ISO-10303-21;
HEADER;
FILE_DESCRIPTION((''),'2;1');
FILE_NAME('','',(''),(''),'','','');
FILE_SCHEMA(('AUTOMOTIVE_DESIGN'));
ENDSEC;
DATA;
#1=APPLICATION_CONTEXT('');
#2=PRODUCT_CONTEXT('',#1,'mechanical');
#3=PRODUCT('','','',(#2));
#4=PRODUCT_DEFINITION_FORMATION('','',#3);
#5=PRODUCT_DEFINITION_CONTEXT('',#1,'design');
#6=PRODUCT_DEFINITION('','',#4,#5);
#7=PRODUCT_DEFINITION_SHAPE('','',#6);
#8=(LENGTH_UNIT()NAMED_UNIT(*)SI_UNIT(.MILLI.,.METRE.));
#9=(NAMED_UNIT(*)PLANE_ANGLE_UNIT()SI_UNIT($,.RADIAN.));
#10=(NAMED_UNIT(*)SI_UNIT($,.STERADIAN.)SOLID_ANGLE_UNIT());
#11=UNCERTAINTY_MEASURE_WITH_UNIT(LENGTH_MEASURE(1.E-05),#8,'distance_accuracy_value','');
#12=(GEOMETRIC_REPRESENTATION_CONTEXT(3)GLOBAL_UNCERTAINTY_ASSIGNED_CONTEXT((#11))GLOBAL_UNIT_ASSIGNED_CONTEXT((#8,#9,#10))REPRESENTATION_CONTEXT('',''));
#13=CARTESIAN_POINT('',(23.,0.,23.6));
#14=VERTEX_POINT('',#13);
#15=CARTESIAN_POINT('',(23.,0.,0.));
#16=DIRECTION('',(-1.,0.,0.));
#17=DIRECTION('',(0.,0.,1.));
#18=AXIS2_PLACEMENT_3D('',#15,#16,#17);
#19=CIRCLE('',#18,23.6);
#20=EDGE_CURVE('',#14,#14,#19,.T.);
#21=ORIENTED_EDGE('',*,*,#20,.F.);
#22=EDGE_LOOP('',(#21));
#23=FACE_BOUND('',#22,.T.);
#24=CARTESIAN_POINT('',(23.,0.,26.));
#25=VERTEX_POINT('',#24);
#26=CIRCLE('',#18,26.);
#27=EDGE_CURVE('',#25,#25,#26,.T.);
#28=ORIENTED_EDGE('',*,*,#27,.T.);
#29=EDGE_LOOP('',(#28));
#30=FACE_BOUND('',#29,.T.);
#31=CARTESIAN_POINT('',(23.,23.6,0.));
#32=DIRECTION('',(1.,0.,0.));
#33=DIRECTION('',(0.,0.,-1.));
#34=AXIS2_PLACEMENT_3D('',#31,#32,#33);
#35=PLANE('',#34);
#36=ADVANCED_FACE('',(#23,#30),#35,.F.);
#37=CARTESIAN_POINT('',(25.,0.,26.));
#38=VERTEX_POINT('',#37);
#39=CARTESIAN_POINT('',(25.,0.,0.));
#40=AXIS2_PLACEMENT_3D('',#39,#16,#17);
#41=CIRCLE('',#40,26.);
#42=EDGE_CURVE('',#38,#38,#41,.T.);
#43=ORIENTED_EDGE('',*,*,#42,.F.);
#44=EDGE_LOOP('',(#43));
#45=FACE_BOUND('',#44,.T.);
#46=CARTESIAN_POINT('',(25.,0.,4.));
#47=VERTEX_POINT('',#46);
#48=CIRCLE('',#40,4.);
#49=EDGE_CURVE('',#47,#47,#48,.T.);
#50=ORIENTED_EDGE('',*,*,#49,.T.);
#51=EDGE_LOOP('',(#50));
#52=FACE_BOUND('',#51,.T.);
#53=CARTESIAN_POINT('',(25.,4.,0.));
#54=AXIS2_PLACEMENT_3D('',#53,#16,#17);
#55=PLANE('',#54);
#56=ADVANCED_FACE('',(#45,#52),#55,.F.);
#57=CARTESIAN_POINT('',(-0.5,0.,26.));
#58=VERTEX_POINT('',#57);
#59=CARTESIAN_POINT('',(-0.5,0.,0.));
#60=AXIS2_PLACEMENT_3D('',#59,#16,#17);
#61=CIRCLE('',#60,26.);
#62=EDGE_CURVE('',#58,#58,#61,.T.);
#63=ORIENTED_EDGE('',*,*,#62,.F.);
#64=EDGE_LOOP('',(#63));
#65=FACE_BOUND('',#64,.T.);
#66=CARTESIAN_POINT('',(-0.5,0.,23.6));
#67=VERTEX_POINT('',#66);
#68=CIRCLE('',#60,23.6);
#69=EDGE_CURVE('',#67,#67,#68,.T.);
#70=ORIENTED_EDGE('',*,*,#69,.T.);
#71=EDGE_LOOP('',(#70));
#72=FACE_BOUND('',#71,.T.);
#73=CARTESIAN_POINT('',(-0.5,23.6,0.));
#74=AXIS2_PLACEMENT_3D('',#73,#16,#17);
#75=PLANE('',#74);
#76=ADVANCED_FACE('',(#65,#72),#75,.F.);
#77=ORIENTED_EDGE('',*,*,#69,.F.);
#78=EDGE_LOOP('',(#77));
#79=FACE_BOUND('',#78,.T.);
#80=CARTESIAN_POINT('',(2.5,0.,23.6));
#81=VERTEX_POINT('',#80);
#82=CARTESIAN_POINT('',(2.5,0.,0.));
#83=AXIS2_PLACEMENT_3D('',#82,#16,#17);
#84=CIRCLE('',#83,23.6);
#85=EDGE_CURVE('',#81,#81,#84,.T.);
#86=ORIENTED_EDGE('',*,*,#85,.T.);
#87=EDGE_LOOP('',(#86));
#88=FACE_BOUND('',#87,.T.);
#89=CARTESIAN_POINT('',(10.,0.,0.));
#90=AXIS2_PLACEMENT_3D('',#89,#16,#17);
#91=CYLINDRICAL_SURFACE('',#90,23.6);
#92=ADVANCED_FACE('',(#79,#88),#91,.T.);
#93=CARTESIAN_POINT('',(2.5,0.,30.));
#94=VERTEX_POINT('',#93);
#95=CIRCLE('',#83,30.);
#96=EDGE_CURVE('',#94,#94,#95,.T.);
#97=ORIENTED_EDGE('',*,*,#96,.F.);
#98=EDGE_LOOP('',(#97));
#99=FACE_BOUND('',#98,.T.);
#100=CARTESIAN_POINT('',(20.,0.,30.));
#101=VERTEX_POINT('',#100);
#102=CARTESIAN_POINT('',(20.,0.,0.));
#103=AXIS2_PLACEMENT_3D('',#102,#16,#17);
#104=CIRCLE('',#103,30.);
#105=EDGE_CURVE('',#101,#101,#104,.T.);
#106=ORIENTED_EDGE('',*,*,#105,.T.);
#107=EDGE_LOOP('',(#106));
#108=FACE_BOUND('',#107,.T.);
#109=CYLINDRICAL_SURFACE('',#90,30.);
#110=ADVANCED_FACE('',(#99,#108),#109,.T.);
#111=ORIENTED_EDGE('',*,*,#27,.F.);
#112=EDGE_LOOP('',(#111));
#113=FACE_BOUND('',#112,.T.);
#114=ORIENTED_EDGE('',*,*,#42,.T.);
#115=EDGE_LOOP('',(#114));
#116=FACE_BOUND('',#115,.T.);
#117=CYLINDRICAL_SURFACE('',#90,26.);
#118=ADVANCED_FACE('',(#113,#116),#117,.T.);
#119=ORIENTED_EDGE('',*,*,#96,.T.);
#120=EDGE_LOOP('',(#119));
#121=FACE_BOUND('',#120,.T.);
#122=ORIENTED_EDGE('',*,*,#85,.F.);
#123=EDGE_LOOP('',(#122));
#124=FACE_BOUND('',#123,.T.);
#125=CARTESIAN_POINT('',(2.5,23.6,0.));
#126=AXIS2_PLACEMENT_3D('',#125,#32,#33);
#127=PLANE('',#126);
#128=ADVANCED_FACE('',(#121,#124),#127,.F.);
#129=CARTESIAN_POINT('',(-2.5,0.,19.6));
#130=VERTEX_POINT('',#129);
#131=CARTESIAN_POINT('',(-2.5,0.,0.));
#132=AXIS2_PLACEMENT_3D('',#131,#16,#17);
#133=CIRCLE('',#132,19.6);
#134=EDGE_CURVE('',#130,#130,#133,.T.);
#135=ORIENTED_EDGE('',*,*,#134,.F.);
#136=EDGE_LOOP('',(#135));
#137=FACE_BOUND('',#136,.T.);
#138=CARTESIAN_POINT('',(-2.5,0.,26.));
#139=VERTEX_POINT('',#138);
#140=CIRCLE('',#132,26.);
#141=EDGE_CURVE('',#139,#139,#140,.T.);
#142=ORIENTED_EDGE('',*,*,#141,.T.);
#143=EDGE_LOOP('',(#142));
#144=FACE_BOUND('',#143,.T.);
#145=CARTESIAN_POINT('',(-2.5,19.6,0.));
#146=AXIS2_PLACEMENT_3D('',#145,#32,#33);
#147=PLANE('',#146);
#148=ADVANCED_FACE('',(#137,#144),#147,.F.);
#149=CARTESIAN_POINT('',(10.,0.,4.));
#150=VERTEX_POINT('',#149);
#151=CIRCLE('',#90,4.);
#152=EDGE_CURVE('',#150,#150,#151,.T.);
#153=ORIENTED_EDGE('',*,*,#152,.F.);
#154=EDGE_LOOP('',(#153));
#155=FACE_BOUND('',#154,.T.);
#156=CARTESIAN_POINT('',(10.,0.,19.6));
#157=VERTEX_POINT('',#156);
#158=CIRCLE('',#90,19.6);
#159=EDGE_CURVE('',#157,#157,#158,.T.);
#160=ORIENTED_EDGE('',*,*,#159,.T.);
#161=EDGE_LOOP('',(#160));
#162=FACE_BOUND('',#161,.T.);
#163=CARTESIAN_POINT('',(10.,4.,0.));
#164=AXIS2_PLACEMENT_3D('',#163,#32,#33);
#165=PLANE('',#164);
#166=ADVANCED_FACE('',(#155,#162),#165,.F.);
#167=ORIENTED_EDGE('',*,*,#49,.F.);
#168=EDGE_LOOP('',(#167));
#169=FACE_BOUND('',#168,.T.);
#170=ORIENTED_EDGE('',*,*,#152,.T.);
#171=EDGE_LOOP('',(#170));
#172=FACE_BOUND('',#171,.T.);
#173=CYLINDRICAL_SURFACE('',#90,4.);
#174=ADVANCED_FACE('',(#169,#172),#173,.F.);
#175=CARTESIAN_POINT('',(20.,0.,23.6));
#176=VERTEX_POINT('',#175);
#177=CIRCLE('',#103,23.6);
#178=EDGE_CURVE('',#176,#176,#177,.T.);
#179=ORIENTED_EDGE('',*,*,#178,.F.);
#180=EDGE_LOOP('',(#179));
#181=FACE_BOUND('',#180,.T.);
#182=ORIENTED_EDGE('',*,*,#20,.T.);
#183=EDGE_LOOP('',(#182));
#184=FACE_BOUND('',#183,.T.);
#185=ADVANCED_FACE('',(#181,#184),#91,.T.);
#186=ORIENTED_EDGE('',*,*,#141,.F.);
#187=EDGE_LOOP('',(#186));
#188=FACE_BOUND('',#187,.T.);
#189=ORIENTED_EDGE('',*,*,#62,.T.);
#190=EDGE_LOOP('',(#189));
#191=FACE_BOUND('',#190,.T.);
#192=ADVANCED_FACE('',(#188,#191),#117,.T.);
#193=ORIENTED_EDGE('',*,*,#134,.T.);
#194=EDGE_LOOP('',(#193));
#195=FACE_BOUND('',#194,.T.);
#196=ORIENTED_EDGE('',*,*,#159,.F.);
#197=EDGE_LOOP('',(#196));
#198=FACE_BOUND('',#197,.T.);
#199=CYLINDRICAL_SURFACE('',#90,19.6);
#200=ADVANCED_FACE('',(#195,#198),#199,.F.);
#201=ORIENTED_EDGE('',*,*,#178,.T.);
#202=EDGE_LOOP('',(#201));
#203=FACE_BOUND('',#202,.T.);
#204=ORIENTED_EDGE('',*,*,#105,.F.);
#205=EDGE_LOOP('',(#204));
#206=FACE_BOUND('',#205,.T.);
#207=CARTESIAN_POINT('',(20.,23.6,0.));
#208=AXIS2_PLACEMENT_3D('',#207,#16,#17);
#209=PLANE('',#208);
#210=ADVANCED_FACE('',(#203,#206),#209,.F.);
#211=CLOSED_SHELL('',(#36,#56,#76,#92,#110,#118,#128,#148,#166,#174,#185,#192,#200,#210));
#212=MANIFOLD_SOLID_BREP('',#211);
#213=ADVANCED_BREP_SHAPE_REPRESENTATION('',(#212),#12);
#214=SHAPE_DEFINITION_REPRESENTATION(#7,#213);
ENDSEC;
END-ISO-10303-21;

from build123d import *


with BuildPart() as part:
    # Esquisse1 → Révolution1 (revolve)
    with BuildSketch(Plane.XY):
        Polygon((-2.5, 19.6), (-2.5, 26), (-0.5, 26), (-0.5, 23.6), (2.5, 23.6), (2.5, 30), (20, 30), (20, 23.6), (23, 23.6), (23, 26), (25, 26), (25, 4), (10, 4), (10, 19.6), align=None)
    revolve(axis=Axis((10, 0, 0), (1, 0, 0)))


solid = part.part
